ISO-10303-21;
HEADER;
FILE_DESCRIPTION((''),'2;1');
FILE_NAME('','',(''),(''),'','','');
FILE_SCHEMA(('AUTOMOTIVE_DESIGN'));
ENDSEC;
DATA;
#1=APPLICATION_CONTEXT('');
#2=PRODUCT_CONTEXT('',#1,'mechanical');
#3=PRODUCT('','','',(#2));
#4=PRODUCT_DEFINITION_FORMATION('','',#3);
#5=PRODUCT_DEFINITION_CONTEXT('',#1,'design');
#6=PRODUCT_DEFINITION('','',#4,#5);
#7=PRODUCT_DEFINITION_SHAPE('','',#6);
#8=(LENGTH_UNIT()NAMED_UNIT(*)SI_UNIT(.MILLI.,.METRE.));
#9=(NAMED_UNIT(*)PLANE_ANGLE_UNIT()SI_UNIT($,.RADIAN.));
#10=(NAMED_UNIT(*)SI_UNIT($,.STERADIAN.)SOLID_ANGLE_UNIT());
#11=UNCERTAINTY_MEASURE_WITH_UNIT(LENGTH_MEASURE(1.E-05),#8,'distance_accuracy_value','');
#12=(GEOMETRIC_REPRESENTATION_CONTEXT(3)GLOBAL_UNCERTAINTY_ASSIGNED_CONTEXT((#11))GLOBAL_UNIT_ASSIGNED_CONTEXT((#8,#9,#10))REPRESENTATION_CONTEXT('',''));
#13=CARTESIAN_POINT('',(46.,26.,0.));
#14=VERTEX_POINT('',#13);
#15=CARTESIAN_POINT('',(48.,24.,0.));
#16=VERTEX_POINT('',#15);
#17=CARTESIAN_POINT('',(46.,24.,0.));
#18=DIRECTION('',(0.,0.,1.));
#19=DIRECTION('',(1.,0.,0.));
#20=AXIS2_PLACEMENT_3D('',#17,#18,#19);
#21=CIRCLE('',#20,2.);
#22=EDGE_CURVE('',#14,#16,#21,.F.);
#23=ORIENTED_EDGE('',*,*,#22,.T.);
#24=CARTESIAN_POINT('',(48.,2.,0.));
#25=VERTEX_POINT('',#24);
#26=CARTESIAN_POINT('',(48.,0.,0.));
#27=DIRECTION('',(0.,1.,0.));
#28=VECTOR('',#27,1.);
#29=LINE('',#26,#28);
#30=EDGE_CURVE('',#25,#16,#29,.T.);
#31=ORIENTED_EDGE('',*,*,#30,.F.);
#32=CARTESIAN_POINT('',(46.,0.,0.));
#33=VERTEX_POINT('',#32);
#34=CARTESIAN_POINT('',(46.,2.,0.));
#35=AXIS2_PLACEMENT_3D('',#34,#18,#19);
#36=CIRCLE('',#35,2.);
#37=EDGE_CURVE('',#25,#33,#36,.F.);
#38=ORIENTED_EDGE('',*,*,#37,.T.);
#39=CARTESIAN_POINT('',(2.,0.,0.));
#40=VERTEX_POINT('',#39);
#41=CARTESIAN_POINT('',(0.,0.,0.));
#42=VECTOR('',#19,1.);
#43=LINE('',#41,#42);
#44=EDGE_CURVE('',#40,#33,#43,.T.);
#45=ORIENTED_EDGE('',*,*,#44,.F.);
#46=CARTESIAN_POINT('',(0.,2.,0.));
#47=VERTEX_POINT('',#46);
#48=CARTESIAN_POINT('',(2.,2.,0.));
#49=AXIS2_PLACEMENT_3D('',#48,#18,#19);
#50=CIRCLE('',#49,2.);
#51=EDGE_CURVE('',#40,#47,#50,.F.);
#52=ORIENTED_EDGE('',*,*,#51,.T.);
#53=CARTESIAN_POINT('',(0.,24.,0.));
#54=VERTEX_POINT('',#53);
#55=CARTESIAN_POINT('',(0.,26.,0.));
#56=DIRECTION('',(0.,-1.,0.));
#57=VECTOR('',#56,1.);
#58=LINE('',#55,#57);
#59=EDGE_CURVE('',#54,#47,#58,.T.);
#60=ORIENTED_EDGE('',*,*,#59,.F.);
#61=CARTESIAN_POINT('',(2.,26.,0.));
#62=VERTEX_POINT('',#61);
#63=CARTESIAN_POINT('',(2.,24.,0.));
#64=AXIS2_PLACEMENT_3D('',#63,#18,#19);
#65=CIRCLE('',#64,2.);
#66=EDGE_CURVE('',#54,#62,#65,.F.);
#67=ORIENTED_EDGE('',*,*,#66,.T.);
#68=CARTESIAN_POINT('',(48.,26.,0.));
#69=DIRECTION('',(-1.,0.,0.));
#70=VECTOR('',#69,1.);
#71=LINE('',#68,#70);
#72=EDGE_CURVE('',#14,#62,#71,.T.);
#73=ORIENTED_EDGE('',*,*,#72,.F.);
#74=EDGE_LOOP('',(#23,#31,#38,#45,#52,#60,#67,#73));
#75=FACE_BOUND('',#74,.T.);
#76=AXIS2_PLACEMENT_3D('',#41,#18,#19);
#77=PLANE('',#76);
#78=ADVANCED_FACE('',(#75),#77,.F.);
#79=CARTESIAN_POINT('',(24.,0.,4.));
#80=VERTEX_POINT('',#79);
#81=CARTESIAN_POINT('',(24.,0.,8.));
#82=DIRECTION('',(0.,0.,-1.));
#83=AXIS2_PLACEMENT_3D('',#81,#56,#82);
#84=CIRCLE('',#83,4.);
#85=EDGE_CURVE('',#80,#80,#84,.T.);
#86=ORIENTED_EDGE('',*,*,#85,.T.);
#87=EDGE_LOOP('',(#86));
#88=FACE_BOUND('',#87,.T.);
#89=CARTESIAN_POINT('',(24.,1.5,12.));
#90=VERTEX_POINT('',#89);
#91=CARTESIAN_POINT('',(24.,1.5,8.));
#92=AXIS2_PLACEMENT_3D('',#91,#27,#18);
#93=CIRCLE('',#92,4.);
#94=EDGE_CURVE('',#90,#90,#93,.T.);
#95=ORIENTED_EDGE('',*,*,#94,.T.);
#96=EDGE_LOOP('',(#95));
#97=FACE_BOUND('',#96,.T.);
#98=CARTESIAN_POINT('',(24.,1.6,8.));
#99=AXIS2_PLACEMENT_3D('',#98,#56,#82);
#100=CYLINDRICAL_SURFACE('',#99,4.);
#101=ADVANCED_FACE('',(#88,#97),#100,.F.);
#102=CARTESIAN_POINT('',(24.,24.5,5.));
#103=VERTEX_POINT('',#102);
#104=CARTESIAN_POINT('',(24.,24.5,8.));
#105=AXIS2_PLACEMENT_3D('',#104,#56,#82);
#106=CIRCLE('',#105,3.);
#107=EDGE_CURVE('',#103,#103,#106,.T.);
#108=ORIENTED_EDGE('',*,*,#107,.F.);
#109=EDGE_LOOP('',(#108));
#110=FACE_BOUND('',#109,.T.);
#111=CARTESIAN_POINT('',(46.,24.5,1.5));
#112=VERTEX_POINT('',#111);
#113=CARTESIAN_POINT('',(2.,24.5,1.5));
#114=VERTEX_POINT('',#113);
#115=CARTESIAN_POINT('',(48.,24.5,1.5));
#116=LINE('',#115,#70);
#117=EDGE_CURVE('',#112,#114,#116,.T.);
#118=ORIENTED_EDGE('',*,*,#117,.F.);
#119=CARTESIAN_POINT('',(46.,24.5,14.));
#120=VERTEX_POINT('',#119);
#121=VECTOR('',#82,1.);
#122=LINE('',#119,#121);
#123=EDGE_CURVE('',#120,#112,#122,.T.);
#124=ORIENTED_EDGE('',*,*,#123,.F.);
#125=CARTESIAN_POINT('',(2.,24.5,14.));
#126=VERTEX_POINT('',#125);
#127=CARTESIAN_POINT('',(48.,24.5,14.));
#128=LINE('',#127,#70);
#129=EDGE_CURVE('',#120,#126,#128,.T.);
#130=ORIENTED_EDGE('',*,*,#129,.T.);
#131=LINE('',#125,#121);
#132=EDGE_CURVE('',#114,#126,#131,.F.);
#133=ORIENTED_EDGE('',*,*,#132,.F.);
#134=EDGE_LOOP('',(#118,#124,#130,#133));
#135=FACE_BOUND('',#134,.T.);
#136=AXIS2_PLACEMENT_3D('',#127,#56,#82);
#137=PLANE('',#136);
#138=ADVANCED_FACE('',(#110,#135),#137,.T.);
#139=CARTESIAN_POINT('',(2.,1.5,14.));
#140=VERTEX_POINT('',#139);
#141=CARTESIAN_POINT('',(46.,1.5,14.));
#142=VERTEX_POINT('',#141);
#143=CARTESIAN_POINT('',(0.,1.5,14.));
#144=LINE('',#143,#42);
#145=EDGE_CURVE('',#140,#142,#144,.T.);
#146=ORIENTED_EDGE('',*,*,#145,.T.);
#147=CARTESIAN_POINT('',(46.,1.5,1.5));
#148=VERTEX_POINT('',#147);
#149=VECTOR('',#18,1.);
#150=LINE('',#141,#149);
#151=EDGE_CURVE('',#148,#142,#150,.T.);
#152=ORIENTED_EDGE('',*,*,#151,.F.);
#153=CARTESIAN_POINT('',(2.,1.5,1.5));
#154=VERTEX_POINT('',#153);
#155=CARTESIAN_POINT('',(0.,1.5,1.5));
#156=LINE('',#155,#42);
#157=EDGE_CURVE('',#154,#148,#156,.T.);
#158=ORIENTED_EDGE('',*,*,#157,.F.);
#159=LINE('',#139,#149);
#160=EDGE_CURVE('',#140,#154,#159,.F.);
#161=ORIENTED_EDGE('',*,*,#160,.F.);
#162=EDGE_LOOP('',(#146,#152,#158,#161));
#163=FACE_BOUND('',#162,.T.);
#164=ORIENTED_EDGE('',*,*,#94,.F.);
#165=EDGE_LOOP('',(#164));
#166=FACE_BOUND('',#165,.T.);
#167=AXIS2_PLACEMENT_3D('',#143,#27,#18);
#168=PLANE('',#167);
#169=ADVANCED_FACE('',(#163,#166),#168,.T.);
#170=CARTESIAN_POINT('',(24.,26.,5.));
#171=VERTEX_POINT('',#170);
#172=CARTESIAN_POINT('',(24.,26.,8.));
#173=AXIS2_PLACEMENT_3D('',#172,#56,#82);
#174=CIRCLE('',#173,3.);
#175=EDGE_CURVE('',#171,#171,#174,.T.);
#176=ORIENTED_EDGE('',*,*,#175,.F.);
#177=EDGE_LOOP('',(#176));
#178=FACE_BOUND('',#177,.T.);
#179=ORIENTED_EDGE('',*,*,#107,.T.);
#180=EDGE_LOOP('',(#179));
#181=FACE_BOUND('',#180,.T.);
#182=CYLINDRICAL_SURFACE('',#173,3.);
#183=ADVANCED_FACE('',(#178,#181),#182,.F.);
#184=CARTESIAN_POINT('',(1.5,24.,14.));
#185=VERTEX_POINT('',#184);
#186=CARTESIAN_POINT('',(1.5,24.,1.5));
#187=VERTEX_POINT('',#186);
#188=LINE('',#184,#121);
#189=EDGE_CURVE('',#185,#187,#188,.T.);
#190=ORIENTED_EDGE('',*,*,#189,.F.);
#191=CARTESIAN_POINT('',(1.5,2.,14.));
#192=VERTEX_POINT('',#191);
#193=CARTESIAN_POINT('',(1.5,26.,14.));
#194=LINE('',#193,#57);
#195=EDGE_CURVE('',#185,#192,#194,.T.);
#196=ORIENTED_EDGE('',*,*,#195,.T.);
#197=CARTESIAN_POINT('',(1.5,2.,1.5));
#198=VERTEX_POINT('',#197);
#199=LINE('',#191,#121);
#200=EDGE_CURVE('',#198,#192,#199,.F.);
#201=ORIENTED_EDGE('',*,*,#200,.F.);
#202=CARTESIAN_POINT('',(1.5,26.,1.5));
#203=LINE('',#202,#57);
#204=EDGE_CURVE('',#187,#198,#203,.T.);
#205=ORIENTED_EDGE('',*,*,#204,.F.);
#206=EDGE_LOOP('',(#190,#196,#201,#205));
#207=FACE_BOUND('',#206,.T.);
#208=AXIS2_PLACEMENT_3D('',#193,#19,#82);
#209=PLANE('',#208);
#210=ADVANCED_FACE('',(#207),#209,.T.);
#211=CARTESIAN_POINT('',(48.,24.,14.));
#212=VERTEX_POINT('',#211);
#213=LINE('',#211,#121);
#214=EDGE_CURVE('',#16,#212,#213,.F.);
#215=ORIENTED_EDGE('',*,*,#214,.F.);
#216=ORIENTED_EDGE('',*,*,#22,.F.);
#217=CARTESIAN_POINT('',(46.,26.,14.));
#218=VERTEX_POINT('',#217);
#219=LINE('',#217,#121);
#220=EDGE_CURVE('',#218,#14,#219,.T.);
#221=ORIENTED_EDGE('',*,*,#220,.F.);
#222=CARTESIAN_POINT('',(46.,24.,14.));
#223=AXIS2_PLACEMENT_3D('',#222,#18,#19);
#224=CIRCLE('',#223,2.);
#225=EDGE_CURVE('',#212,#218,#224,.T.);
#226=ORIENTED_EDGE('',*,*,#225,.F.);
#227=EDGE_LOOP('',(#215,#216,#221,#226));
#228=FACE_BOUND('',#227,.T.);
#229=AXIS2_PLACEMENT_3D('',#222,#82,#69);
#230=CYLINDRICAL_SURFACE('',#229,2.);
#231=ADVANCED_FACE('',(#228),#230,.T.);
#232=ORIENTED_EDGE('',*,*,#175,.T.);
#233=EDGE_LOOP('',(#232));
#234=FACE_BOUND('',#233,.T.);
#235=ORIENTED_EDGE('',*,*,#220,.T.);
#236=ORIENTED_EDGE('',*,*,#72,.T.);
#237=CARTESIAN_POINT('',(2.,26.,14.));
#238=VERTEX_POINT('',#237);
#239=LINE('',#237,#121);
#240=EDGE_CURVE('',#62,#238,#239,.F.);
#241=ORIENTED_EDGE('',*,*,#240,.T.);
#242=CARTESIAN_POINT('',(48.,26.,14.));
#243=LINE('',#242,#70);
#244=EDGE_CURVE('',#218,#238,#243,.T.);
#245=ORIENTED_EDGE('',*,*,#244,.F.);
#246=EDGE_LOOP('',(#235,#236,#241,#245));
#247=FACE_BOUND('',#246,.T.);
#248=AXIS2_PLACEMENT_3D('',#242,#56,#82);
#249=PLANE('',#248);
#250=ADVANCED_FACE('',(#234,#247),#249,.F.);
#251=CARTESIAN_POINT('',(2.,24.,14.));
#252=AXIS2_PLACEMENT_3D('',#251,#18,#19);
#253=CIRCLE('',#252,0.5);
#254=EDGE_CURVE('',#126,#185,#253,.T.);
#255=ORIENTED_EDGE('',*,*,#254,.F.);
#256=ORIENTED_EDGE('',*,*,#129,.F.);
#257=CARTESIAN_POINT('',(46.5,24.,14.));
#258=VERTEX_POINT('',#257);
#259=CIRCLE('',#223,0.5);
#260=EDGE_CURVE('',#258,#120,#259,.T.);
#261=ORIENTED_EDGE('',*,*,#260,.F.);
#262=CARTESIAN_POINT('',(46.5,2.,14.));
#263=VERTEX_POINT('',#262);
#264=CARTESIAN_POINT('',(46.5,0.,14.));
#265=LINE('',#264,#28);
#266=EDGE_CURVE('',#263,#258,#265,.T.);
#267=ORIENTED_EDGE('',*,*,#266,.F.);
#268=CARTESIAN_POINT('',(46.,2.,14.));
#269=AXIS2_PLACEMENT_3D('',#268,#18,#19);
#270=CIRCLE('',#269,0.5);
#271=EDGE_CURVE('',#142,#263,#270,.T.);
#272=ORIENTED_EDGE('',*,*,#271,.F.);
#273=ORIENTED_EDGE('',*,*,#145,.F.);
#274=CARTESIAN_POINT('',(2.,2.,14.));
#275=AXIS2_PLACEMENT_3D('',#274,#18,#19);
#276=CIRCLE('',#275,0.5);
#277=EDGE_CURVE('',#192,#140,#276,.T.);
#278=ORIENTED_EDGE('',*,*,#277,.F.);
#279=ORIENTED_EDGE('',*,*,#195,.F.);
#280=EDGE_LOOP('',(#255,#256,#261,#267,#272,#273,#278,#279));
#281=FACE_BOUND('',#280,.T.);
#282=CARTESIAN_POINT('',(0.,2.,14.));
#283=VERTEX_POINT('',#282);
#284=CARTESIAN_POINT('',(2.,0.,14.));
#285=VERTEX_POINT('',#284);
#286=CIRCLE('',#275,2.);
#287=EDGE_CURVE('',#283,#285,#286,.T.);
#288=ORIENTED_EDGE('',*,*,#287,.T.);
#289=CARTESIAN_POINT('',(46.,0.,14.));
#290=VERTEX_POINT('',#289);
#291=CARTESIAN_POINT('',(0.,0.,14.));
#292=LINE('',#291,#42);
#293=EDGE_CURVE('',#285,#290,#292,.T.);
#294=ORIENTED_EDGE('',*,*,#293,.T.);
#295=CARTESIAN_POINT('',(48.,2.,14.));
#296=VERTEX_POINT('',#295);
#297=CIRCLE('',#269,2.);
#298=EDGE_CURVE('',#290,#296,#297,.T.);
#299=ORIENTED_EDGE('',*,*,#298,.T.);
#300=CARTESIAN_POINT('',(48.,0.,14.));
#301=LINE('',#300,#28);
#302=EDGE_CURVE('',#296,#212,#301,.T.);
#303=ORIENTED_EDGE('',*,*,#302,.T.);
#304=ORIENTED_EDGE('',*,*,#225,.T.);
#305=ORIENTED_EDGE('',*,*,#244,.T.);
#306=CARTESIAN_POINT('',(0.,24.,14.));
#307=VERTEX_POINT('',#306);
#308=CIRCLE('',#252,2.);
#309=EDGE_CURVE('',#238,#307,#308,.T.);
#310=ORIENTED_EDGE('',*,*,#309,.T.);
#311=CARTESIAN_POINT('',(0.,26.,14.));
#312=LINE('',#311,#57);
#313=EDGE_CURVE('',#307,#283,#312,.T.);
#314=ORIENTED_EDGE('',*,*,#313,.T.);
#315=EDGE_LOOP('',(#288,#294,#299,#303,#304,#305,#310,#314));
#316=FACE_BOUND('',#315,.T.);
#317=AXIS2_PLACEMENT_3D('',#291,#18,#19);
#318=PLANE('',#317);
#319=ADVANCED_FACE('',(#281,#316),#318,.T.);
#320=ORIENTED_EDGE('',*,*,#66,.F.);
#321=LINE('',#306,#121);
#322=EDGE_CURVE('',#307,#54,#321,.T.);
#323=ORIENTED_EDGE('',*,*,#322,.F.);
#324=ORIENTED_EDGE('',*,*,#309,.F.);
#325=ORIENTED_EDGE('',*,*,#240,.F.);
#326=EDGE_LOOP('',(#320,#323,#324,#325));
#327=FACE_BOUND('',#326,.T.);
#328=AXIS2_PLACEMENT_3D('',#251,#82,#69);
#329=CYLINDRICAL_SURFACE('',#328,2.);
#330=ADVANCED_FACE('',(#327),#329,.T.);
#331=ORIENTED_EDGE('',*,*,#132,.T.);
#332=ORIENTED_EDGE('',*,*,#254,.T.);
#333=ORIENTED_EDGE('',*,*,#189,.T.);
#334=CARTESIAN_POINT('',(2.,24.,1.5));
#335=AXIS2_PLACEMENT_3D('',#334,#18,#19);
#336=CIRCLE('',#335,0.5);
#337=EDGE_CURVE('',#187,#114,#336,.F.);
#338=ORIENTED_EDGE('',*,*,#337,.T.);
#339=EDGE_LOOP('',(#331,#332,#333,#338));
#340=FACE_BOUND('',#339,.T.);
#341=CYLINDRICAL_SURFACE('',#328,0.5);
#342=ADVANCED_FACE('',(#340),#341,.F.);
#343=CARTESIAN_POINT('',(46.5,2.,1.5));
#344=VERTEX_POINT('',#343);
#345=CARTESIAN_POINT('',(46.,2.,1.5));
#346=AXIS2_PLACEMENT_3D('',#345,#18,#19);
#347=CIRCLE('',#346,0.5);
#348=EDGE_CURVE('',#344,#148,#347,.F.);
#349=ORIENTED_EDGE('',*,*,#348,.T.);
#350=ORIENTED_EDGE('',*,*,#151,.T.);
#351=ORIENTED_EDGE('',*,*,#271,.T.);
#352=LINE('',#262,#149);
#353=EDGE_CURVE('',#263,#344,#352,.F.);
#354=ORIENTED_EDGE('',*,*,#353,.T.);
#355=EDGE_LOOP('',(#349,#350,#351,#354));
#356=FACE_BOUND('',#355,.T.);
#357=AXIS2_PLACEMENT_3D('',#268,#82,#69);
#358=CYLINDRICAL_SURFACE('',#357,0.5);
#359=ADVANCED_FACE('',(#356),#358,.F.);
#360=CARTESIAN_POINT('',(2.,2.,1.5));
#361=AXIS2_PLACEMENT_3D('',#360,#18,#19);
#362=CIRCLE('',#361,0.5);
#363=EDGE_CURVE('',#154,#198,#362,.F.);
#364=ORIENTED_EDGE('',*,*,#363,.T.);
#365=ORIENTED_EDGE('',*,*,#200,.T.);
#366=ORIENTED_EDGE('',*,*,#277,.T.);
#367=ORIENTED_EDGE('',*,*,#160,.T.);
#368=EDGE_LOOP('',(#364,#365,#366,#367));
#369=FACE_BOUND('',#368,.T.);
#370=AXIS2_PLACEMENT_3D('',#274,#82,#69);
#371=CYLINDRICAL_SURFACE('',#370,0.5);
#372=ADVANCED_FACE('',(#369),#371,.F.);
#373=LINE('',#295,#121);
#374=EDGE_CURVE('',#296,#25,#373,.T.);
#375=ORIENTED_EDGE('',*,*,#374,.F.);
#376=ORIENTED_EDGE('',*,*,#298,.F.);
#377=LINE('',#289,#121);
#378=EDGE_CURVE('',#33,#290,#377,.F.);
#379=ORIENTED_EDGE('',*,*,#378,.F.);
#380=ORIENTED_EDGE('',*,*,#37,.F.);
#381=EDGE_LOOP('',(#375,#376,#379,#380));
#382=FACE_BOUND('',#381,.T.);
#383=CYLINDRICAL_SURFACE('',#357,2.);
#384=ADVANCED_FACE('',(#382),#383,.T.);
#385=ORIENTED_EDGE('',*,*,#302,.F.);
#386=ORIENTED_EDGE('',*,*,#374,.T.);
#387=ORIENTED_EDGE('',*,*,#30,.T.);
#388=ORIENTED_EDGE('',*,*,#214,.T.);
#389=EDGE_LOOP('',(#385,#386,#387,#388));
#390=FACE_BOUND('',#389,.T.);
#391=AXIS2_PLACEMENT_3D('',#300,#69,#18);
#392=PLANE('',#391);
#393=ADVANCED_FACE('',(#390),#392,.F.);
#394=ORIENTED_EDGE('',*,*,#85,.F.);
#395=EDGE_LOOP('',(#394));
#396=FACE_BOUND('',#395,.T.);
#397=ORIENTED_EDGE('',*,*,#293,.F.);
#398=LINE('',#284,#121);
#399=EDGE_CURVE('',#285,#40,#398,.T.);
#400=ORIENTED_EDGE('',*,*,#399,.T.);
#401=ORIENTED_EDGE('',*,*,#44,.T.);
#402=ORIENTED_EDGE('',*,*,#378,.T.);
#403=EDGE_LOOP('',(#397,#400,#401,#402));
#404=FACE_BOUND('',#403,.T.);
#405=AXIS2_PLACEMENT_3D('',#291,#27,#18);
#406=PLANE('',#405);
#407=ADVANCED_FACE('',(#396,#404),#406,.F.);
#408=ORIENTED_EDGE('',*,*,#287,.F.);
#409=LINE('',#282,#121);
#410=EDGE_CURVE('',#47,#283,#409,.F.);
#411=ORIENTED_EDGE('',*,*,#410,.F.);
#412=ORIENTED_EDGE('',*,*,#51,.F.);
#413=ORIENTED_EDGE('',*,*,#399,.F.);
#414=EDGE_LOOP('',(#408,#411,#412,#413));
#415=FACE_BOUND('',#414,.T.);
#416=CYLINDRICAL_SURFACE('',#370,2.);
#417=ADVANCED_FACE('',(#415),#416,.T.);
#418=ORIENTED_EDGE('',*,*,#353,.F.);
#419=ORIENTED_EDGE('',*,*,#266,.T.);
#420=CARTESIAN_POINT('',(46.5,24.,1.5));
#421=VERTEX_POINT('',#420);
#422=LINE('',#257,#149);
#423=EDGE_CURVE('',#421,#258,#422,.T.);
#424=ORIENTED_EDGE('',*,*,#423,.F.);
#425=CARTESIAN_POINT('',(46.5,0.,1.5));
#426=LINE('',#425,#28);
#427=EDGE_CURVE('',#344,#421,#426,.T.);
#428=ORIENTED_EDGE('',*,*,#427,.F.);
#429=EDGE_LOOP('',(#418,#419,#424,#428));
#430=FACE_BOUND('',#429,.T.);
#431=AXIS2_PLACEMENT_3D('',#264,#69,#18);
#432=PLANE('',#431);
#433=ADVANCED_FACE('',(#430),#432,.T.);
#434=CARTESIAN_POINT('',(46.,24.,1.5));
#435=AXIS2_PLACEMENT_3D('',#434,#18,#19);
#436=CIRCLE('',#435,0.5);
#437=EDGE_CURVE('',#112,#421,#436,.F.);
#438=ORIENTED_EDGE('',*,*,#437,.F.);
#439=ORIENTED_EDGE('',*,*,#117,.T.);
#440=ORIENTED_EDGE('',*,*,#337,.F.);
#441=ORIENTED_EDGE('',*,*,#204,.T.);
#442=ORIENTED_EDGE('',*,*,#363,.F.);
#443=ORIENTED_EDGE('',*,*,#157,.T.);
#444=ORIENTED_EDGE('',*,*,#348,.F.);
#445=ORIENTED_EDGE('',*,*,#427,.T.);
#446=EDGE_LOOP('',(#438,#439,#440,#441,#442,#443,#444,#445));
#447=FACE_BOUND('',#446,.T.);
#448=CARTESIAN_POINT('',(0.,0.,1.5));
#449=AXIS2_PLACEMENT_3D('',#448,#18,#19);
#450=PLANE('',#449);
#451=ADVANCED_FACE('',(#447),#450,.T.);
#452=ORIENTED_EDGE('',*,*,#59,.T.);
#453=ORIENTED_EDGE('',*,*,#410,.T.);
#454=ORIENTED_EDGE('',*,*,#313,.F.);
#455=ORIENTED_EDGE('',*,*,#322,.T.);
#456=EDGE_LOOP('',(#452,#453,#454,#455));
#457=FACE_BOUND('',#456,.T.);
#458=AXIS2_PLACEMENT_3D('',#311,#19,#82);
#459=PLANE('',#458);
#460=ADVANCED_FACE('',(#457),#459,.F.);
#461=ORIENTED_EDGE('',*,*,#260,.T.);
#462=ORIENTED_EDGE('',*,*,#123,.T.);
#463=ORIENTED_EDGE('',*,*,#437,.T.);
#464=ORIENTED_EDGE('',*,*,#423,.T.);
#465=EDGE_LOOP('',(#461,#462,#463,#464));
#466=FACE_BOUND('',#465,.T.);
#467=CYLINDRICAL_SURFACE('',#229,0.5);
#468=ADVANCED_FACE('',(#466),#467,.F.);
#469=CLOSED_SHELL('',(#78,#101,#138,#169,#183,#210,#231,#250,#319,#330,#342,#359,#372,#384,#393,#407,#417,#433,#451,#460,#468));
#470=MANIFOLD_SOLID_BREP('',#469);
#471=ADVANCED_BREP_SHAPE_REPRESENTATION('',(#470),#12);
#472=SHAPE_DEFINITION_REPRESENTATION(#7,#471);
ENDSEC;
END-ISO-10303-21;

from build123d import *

# Parameters (mm, degrees)
SKETCH_1_W               = 48
SKETCH_1_H               = 26
ENCLOSURE_DEPTH          = 14
FILLET_2_R               = 2
SHELL_1_T                = -1.5
SKETCH_2_R               = 3
CABLE_ENTRY_DEPTH        = 57.356011214
SKETCH_3_R               = 4
CABLE_ENTRY_RELIEF_DEPTH = 1.6


with BuildPart() as part:
    # 草图1 → Enclosure (new body)
    with BuildSketch(Plane.XY):
        with Locations((24, 13)):
            Rectangle(SKETCH_1_W, SKETCH_1_H)
    extrude(amount=ENCLOSURE_DEPTH)

    # Fillet 2
    fillet_2_edges = [part.edges().sort_by_distance(p)[0] for p in [
        (0, 26, 7),
        (48, 26, 7),
        (48, 0, 7),
        (0, 0, 7),
    ]]
    fillet(fillet_2_edges, radius=FILLET_2_R)

    # 抽壳1
    shell_1_openings = [part.faces().sort_by_distance(p)[0] for p in [
        (24, 13, 14),
    ]]
    offset(amount=SHELL_1_T, openings=shell_1_openings, kind=Kind.INTERSECTION)

    # 草图2 → Cable_entry (cut, through all)
    with BuildSketch(Plane.XZ):
        with Locations(Location((24, 8, 0), (0, 0, 270))):
            Circle(SKETCH_2_R)
    extrude(amount=-CABLE_ENTRY_DEPTH, mode=Mode.SUBTRACT)

    # 草图3 → Cable_entry_relief (cut)
    with BuildSketch(Plane.XZ):
        with Locations(Location((24, 8, 0), (0, 0, 270))):
            Circle(SKETCH_3_R)
    extrude(amount=-CABLE_ENTRY_RELIEF_DEPTH, mode=Mode.SUBTRACT)


solid = part.part
